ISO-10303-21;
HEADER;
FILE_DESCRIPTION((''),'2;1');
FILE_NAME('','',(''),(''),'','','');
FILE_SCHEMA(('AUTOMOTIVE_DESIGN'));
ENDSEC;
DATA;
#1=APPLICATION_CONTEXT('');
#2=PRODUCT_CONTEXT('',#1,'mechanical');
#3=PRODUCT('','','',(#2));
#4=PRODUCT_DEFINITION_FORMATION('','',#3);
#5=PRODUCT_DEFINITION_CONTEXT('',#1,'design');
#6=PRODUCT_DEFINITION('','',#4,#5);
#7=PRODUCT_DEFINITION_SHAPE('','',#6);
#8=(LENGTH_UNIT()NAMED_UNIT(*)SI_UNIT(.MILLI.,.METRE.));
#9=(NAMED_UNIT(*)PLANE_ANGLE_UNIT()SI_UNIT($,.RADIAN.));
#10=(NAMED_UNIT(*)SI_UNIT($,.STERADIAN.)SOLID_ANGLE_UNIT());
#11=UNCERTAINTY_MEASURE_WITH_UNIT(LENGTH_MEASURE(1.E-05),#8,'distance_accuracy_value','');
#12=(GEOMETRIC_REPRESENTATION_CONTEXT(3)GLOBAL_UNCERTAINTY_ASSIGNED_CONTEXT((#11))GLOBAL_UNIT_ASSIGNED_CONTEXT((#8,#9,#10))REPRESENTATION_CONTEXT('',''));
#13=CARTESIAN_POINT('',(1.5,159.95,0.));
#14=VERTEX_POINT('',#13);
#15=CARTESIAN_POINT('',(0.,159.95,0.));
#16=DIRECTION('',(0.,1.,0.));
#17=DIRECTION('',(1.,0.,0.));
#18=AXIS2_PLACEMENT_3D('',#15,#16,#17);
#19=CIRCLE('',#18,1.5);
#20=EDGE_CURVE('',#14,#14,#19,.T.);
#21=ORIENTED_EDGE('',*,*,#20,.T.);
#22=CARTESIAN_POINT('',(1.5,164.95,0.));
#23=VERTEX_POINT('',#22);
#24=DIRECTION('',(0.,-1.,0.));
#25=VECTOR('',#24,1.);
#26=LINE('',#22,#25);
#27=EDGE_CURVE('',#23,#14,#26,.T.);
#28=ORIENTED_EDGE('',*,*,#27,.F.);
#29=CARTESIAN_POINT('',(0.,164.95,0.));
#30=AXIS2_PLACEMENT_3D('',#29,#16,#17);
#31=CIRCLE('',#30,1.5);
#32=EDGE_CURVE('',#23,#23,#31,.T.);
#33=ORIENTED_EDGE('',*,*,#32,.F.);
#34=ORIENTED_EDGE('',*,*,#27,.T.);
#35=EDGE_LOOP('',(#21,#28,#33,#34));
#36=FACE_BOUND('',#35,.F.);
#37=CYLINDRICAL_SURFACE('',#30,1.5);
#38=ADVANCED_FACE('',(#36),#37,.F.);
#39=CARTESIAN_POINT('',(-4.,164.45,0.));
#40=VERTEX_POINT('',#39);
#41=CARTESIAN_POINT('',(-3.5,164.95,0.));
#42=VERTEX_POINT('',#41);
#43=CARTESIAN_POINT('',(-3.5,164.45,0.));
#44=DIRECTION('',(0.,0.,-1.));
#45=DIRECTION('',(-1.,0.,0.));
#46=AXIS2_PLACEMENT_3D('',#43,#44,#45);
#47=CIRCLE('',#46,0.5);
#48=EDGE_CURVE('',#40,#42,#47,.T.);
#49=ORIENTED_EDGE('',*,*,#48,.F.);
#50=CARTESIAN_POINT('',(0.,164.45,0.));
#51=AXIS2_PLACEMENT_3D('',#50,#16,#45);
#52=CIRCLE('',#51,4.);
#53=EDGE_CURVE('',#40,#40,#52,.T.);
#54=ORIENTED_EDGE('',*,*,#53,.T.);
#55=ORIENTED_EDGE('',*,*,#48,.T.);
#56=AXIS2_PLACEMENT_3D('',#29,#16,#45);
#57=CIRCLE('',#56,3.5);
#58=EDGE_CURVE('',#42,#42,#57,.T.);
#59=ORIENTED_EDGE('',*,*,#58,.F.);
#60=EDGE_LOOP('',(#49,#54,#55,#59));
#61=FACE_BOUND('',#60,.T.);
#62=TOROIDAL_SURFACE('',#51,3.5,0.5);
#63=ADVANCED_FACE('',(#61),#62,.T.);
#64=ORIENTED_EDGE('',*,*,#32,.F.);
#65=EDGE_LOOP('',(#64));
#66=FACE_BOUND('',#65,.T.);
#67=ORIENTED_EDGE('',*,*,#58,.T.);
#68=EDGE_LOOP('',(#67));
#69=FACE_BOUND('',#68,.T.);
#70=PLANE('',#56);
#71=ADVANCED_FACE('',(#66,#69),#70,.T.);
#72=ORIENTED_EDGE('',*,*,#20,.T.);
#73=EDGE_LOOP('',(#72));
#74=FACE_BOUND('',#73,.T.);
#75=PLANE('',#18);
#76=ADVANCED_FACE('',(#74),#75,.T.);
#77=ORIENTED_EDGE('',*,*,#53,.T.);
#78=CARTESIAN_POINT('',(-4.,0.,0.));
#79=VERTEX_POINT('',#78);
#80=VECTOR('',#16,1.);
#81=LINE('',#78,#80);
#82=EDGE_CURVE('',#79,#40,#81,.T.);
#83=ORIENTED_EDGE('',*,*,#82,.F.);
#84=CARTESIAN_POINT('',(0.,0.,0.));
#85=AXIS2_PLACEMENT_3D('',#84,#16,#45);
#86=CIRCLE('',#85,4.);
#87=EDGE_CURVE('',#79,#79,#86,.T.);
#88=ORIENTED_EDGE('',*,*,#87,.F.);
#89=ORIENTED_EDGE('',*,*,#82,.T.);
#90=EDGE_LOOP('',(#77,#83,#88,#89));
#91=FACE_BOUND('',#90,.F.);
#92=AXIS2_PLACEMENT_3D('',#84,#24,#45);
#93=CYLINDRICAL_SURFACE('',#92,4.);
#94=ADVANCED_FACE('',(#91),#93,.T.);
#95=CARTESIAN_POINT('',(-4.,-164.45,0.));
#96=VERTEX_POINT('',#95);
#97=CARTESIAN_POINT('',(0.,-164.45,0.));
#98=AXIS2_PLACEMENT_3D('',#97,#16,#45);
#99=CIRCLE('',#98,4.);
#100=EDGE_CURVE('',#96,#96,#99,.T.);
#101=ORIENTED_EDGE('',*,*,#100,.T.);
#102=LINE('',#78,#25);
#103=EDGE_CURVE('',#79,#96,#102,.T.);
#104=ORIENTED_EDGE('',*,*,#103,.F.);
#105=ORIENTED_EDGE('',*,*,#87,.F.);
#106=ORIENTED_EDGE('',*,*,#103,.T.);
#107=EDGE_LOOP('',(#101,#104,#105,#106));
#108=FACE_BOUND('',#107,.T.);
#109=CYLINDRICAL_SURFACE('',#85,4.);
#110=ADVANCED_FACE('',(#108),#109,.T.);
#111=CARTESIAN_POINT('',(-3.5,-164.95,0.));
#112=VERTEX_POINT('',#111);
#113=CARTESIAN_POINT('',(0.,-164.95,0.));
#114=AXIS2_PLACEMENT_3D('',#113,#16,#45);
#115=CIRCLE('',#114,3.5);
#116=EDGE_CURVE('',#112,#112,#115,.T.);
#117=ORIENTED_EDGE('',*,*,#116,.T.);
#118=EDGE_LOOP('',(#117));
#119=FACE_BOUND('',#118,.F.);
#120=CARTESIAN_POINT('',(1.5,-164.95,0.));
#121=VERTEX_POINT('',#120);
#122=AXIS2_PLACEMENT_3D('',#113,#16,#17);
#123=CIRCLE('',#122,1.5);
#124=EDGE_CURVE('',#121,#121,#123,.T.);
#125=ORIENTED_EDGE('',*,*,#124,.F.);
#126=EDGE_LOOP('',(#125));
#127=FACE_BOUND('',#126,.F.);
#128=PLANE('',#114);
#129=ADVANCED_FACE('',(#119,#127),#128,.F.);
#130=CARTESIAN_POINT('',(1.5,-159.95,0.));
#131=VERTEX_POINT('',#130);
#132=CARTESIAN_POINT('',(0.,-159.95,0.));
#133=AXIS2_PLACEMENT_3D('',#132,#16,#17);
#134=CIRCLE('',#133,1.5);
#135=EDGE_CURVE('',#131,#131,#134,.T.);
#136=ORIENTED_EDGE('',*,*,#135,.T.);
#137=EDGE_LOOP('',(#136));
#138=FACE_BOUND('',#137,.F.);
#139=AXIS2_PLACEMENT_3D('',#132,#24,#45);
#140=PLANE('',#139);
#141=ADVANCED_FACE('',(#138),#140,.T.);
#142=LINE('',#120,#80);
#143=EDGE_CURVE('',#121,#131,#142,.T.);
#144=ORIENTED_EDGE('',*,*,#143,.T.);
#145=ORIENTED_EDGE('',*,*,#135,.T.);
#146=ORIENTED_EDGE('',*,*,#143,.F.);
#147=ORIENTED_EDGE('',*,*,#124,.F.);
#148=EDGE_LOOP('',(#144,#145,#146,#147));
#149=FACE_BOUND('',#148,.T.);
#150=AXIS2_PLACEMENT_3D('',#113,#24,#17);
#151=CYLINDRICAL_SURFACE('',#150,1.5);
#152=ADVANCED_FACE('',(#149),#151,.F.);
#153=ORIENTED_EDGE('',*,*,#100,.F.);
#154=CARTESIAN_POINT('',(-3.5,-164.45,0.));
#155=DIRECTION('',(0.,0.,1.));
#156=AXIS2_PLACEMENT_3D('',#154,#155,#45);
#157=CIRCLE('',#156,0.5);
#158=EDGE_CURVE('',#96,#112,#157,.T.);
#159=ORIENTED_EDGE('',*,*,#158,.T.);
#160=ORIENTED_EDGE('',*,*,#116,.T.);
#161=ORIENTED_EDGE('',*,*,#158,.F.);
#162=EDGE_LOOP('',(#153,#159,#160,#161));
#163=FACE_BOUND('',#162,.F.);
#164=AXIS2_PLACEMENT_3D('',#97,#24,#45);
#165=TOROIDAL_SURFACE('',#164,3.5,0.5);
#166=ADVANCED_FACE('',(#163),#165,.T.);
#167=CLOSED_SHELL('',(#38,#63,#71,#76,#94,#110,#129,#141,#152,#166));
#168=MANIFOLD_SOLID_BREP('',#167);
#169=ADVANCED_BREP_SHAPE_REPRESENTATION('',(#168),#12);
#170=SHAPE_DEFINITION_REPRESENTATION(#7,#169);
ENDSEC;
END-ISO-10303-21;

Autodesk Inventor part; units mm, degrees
ref_plane "YZ Plane" through (0, 0, 0) normal (1, 0, 0) x (0, 1, 0)
ref_plane "XZ Plane" through (0, 0, 0) normal (0, 1, 0) x (-1, 0, 0)
ref_plane "XY Plane" through (0, 0, 0) normal (0, 0, 1) x (1, 0, 0)
sketch "Эскиз1" plane through (0, 0, 0) normal (0, 1, 0) x (-1, 0, 0)
  circle A0 centre (0, 0) radius 4
  dimension "d0" = 8
extrude "Выдавливание1" add sketch "Эскиз1" along normal mid plane 329.9
sketch "Эскиз2" plane through (0, 164.95, 0) normal (0, 1, 0) x (1, 0, 0)
  circle A0 centre (0, 0) radius 1.5
  dimension "d3" = 3
extrude "Выдавливание2" cut sketch "Эскиз2" against normal blind 5
mirror "Зеркальное отражение1" about plane through (0, 0, 0) normal (0, 1, 0) of "Выдавливание2"
fillet "Сопряжение1" radius 0.5 2 edges at (4, -164.95, 0) (4, 164.95, 0)
properties part number "вал 8мм"
